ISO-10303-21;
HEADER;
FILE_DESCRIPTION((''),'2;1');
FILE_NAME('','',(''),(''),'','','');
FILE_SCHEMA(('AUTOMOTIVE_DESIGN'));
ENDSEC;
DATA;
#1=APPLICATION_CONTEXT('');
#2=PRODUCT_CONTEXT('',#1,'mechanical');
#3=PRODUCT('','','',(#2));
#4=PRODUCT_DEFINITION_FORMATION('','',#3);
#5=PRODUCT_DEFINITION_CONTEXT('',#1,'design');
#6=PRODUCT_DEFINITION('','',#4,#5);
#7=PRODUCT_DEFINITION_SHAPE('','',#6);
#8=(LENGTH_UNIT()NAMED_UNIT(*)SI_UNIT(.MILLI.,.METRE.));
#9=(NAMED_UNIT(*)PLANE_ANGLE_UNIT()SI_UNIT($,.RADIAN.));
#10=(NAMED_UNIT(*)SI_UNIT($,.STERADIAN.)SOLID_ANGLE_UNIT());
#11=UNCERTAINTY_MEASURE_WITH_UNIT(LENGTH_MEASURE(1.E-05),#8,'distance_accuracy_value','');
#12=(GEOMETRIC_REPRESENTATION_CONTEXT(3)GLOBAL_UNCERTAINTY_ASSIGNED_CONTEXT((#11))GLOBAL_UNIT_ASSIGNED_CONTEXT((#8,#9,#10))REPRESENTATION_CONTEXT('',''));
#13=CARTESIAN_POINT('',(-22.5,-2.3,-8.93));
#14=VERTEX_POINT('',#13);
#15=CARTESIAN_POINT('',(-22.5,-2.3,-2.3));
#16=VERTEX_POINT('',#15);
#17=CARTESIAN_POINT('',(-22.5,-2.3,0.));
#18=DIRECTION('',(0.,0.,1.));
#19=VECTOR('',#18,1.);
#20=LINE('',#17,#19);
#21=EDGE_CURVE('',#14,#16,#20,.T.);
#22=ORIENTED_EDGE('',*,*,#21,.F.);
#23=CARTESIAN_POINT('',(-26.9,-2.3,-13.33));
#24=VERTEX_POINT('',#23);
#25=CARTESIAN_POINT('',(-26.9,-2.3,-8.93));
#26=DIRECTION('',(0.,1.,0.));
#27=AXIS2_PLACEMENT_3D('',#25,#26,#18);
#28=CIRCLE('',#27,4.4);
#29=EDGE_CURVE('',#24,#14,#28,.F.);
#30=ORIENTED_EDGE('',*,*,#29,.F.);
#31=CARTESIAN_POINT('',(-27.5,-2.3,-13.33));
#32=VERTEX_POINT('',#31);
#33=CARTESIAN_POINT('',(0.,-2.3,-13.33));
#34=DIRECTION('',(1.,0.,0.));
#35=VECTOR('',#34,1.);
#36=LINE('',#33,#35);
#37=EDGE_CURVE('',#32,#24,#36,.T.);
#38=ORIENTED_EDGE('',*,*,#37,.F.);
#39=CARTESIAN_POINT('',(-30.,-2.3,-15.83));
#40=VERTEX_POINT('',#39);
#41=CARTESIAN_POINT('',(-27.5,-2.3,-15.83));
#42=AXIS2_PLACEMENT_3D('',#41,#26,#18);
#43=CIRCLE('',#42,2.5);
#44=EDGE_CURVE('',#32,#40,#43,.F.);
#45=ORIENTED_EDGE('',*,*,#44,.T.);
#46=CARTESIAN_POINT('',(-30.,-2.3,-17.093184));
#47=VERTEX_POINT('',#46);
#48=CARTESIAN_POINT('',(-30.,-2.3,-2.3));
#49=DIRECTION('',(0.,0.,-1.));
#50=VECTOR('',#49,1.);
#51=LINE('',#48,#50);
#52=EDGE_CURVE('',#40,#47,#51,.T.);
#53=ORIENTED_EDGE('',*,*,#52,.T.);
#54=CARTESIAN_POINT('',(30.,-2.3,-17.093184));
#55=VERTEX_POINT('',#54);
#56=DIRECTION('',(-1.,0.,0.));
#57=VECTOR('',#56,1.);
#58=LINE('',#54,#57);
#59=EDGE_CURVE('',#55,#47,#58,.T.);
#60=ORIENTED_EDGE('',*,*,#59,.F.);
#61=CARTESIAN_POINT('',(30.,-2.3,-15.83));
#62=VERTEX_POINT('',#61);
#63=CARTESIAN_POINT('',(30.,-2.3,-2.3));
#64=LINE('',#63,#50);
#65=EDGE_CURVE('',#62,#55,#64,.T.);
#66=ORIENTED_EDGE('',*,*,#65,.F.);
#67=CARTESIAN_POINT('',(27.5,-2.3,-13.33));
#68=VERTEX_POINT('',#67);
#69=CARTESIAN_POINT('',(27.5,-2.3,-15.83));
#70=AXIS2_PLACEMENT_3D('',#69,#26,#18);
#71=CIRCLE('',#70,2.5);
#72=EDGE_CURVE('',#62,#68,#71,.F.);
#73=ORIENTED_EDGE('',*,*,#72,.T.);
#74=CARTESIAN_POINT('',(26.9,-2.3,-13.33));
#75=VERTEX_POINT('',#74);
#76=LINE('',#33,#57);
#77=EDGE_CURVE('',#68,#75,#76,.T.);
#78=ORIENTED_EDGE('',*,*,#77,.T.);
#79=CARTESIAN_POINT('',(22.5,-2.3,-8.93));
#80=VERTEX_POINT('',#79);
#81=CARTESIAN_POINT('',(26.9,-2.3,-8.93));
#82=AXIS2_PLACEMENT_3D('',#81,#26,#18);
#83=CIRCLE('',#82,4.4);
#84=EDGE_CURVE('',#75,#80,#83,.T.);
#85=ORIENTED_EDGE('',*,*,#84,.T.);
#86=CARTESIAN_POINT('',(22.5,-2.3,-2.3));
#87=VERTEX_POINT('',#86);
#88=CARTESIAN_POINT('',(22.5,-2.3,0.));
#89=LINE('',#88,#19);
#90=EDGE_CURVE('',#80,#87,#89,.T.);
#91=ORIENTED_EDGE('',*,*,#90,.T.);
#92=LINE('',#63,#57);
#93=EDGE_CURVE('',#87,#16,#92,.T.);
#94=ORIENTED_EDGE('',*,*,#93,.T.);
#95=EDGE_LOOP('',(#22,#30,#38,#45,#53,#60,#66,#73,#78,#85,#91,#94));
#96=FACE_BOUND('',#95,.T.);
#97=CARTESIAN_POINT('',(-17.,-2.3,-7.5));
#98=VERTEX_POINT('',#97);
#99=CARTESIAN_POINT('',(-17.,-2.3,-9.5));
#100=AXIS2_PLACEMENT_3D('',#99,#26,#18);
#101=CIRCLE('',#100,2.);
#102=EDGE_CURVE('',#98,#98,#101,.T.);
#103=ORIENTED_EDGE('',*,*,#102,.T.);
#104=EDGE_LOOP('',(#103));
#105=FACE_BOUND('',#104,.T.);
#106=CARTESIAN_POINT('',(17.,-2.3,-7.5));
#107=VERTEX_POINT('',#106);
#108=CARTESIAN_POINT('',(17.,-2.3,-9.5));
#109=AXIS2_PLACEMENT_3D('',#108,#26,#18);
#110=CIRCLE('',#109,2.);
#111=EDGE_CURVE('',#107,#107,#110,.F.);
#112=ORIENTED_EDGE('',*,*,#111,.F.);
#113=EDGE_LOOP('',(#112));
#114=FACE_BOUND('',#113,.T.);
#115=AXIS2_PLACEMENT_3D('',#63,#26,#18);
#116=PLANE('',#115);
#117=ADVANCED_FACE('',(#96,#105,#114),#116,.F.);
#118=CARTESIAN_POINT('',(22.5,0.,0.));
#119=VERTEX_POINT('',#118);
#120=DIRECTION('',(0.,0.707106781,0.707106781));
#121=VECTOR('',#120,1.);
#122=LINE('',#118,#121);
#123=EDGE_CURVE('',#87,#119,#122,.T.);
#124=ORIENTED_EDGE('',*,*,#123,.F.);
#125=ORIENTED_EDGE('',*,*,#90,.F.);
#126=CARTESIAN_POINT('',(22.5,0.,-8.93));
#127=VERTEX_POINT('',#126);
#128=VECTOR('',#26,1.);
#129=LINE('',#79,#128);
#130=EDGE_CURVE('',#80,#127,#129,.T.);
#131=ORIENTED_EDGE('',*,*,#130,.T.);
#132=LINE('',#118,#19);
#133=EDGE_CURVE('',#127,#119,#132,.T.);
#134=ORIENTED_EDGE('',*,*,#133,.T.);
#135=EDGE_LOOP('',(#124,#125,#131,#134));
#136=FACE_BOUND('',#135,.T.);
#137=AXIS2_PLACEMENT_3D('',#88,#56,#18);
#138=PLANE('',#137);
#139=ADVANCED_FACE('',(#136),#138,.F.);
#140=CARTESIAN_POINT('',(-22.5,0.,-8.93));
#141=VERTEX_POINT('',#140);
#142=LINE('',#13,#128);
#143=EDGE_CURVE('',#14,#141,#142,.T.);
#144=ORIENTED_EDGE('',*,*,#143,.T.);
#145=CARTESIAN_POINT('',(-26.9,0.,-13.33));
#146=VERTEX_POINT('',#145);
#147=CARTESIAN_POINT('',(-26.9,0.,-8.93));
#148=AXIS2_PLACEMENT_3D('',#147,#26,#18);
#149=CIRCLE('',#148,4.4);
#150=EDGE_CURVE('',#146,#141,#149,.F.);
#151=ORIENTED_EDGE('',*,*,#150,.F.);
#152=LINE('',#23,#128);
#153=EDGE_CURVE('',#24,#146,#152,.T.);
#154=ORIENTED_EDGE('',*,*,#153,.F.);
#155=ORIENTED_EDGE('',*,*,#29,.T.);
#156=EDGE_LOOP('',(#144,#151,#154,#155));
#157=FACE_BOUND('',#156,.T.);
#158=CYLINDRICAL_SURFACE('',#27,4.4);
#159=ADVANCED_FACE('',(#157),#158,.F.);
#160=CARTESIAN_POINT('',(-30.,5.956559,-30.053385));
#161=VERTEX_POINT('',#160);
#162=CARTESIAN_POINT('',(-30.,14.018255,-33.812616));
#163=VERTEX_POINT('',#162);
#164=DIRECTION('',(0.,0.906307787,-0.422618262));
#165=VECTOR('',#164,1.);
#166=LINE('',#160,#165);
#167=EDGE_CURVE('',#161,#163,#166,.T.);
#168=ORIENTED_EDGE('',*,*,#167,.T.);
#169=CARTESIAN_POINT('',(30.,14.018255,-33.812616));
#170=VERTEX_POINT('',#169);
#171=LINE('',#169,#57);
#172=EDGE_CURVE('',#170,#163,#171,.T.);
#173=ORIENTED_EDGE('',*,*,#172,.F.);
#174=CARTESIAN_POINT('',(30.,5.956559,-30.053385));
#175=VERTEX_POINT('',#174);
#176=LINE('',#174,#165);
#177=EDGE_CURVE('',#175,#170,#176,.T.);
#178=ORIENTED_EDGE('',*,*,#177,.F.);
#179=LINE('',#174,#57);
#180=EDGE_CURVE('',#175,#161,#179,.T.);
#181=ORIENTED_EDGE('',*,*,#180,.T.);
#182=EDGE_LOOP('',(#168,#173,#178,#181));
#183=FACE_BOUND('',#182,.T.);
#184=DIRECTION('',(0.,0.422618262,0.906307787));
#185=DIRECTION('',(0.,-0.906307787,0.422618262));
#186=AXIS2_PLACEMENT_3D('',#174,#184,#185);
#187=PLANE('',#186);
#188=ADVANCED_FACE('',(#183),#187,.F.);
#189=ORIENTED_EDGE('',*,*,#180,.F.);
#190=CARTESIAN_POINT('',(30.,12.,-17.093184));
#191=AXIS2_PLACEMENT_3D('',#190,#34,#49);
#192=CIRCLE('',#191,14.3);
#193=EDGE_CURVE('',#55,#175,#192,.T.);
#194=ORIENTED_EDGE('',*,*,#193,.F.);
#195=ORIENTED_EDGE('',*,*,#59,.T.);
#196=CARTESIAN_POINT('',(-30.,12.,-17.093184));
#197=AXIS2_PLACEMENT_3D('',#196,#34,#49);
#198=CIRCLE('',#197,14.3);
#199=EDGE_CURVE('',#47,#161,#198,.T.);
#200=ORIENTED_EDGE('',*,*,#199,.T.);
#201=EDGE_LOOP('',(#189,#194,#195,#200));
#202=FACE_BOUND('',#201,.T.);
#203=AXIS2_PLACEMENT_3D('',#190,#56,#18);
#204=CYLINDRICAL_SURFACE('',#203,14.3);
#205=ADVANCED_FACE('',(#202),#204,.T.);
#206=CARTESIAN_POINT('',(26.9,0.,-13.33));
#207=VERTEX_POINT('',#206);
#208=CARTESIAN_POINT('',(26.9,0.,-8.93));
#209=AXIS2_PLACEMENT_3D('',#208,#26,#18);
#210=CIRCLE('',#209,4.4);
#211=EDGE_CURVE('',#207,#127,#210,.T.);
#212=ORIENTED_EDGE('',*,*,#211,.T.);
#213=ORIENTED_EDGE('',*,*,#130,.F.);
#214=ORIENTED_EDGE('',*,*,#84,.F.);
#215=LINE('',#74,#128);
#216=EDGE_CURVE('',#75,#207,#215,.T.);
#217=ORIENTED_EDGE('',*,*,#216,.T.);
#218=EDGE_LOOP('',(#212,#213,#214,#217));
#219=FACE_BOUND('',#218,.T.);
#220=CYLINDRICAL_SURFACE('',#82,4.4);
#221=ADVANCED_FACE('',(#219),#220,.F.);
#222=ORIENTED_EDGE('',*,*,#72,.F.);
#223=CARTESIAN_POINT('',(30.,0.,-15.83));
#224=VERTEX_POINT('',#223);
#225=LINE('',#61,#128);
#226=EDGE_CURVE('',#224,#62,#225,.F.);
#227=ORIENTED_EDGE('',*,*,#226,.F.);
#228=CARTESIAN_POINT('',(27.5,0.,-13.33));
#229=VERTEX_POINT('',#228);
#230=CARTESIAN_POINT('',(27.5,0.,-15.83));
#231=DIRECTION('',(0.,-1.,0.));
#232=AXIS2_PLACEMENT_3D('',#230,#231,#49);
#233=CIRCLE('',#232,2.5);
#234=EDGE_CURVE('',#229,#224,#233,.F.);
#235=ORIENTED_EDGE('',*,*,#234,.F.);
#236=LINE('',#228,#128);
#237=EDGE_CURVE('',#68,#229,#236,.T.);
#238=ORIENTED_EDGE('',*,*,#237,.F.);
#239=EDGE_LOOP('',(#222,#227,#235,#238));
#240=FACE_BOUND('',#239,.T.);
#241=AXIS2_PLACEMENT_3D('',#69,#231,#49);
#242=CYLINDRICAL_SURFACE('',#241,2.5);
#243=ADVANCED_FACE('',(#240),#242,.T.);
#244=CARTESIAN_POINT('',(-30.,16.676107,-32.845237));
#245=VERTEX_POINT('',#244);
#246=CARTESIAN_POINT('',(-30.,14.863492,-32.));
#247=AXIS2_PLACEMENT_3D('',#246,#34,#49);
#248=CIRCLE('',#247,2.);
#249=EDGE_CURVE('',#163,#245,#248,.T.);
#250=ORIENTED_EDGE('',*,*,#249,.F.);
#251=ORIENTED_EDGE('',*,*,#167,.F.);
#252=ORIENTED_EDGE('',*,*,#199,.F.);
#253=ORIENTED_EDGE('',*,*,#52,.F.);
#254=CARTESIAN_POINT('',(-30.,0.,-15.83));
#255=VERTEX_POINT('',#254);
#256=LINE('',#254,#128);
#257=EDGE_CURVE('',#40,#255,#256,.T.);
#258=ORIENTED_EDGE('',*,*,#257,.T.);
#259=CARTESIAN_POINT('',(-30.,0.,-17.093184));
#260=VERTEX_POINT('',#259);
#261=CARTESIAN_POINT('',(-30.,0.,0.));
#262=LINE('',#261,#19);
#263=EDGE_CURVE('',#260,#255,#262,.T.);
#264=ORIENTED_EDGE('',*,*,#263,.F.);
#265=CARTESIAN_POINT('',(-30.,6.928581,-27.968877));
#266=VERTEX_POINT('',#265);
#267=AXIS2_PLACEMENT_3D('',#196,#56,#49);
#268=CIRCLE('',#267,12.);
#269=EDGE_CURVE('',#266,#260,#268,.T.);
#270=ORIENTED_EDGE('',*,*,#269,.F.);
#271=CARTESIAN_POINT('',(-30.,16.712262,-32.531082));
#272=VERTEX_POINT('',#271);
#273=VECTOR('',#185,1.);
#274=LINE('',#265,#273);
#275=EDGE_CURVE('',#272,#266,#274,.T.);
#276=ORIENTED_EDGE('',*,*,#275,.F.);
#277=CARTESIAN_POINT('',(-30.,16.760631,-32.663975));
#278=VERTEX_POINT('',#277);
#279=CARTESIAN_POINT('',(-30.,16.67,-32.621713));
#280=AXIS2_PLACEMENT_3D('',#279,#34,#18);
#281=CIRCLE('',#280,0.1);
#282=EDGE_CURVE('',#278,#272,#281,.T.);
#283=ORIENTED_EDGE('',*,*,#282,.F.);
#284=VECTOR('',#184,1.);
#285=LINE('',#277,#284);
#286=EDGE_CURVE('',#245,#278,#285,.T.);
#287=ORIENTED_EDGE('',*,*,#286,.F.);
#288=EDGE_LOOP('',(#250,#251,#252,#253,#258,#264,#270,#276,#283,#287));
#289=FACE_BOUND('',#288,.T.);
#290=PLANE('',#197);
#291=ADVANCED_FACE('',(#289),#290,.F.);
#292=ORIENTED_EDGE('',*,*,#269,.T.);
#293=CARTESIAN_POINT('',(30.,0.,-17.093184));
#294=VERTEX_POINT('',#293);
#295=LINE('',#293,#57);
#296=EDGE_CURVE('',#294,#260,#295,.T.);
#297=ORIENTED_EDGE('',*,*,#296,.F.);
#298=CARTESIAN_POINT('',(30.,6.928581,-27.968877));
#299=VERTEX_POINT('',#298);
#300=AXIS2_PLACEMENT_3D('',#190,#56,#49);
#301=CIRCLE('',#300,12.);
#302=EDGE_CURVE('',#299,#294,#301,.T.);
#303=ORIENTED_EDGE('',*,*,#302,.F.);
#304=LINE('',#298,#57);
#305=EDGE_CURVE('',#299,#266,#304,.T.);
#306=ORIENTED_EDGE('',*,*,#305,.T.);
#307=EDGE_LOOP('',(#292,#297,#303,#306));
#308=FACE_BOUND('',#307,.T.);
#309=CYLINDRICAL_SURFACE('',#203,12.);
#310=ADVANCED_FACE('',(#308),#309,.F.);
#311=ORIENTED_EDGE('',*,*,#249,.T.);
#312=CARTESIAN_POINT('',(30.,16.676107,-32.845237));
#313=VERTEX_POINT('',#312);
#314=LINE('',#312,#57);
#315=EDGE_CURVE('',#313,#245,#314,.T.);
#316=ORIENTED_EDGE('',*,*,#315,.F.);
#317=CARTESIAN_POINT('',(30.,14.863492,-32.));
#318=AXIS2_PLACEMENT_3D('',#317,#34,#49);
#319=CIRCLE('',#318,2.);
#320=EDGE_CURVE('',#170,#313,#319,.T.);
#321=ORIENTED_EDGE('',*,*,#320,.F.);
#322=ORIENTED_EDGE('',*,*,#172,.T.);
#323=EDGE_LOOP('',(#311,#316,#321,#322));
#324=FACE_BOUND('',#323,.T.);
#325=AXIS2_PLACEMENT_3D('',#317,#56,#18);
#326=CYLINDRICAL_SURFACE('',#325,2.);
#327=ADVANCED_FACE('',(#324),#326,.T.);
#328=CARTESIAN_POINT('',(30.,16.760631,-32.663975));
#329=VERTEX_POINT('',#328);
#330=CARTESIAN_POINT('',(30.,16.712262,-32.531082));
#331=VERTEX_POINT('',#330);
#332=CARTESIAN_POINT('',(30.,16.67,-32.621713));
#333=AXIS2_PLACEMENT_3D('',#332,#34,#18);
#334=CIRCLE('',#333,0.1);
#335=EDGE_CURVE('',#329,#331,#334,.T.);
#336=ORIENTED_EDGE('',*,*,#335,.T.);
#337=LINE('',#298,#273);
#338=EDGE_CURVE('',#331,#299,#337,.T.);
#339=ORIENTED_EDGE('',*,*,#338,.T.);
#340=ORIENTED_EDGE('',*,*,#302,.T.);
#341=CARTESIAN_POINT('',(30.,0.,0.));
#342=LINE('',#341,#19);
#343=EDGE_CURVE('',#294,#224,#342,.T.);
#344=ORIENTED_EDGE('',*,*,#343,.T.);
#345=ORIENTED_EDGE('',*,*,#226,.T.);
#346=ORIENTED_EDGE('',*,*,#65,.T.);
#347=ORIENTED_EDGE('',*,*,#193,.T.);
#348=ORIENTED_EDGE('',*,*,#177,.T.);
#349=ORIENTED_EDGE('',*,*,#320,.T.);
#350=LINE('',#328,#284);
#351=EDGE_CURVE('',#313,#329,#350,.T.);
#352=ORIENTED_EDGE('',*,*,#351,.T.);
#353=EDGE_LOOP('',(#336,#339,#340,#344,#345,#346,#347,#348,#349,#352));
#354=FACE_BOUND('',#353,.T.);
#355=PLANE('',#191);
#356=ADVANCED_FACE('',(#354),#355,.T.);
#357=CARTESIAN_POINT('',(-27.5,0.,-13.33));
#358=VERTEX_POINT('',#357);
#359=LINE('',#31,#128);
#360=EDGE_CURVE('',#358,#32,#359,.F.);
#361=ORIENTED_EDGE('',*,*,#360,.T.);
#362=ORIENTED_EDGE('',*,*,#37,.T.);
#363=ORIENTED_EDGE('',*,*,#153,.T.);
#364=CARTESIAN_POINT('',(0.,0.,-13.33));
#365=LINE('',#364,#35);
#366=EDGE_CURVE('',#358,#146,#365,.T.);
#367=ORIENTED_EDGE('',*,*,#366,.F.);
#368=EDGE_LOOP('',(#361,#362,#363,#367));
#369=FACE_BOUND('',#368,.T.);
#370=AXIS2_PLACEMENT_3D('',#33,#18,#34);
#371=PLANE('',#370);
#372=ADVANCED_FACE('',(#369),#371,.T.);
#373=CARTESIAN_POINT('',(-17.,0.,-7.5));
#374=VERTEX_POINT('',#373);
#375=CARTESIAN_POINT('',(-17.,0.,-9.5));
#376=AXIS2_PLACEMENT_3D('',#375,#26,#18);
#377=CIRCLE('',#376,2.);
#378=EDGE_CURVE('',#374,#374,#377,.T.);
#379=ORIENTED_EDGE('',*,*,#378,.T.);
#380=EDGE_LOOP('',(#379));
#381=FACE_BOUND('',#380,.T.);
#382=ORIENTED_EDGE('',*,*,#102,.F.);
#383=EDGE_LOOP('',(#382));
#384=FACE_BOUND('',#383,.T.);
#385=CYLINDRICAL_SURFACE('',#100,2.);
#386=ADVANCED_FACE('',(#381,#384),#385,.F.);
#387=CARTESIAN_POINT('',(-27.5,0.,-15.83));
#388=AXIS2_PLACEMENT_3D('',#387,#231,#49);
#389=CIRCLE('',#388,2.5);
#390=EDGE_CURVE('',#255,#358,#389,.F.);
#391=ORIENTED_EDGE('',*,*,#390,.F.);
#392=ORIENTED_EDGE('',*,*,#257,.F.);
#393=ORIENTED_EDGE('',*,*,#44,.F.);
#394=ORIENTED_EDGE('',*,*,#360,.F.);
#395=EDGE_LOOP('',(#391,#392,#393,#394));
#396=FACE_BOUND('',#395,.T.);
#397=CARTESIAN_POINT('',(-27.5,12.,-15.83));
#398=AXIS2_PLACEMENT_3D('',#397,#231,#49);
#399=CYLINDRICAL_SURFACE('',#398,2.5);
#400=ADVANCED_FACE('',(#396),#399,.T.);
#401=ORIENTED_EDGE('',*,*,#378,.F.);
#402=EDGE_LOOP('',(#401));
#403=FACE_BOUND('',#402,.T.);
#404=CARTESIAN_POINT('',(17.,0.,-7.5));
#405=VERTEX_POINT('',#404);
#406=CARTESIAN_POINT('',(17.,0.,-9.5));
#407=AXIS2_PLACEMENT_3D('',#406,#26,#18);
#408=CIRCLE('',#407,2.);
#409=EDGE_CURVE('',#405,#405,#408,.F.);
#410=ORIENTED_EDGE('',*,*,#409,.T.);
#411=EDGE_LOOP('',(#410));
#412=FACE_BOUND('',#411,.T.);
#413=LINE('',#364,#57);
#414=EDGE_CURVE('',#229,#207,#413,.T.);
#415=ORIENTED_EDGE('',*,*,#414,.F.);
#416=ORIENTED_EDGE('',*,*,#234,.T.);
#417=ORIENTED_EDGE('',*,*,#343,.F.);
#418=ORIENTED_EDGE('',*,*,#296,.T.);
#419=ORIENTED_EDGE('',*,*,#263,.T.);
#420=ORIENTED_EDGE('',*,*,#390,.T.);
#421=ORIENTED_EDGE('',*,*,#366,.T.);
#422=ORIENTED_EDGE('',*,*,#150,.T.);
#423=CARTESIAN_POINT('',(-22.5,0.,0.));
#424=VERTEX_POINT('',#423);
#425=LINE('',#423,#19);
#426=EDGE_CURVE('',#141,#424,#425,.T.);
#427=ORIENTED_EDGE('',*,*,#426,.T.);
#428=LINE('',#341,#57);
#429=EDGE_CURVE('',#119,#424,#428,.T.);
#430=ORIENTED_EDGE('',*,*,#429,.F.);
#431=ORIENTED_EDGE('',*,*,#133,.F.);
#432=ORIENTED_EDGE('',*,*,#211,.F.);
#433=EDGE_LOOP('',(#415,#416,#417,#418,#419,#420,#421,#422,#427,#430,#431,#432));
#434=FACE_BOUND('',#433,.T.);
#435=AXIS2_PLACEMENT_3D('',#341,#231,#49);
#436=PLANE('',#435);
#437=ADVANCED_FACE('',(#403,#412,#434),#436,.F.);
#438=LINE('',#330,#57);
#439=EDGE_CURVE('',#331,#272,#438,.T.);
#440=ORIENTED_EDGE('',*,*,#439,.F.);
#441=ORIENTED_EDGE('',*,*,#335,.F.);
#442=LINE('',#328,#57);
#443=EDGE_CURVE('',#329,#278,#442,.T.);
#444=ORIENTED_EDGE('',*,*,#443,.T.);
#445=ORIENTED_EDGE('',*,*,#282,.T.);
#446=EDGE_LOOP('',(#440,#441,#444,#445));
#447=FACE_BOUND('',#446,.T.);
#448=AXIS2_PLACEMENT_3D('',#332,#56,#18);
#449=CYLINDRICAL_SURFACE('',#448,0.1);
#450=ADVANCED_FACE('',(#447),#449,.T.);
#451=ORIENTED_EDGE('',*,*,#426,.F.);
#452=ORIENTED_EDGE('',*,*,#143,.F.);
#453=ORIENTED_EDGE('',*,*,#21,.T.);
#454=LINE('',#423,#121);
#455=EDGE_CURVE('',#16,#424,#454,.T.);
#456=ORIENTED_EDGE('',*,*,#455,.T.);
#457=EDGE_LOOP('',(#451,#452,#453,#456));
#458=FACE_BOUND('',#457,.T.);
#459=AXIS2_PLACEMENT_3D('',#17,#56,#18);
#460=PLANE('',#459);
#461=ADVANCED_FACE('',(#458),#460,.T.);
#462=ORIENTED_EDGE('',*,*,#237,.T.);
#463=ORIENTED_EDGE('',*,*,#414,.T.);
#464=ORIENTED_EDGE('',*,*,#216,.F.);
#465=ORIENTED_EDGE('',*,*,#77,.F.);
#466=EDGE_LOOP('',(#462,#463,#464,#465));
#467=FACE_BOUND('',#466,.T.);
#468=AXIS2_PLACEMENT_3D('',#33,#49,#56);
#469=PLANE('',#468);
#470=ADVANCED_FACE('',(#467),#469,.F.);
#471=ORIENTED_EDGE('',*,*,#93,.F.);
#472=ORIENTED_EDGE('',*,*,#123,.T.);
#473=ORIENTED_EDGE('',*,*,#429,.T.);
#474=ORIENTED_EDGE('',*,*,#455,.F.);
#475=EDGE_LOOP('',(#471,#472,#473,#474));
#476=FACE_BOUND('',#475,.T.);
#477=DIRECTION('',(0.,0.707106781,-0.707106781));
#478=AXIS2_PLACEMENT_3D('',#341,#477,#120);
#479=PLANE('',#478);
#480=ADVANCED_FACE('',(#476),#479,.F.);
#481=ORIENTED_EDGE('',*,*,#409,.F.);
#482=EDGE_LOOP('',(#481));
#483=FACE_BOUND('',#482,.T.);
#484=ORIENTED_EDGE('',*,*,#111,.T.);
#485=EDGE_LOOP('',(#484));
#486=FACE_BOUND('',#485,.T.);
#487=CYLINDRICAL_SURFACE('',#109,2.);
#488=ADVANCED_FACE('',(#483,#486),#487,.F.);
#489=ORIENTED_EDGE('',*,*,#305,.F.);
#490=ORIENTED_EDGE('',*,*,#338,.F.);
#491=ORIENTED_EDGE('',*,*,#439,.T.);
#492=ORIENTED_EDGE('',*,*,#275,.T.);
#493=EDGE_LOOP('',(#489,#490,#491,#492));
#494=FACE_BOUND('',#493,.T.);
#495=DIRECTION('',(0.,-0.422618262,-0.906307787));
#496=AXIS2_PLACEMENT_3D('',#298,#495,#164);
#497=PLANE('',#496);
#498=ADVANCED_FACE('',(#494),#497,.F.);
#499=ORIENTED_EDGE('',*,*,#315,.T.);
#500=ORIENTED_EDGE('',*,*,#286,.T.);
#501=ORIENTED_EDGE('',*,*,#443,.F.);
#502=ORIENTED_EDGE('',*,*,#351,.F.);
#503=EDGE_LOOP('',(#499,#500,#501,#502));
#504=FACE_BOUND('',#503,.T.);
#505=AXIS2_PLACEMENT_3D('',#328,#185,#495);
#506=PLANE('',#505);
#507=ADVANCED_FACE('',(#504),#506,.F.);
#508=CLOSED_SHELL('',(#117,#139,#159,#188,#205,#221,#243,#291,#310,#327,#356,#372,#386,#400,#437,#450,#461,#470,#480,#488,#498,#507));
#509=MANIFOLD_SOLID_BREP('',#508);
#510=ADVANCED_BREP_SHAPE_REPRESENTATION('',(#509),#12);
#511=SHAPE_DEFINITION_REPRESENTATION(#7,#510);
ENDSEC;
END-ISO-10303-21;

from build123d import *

# Parameters (mm, degrees)
BOSS_EXTRUDE1_DEPTH = 30
SKETCH3_R           = 2
CUT_EXTRUDE1_DEPTH  = 49.344936653
FILLET1_R           = 2.5


with BuildPart() as part:
    # Sketch2 → Boss-Extrude1 (new, symmetric)
    with BuildSketch(Plane(origin=(0, 0, 0), x_dir=(0, 0, -1), z_dir=(1, 0, 0))):
        with BuildLine():
            Line((0, 0), (17.093183557, 0))
            ThreePointArc((17.093183557, 0), (23.540778857, 1.87930265), (27.968877001, 6.928580859))
            Line((27.968877001, 6.928580859), (32.531082361, 16.712261826))
            ThreePointArc((32.531082361, 16.712261826), (32.587511126, 16.763969262), (32.663974966, 16.760630779))
            Line((32.663974966, 16.760630779), (32.845236523, 16.676107126))
            ThreePointArc((32.845236523, 16.676107126), (33.879385242, 15.547531839), (33.812615574, 14.018255029))
            Line((33.812615574, 14.018255029), (30.053384911, 5.956558857))
            ThreePointArc((30.053384911, 5.956558857), (24.776567956, -0.060497675), (17.093183557, -2.3))
            Line((17.093183557, -2.3), (2.3, -2.3))
            Line((2.3, -2.3), (0, 0))
        make_face()
    extrude(amount=BOSS_EXTRUDE1_DEPTH, both=True)

    # Sketch3 → Cut-Extrude1 (cut, through all)
    with BuildSketch(Plane(origin=(0, 0, 0), x_dir=(1, 0, 0), z_dir=(0, 1, 0))):
        with BuildLine():
            Line((-26.9, 13.33), (-30, 13.33))
            Line((-30, 13.33), (-30, 0))
            Line((-30, 0), (-22.5, 0))
            Line((-22.5, 0), (-22.5, 8.93))
            ThreePointArc((-22.5, 8.93), (-23.788730163, 12.041269837), (-26.9, 13.33))
        make_face()
        with Locations(Location((-17, 9.5, 0), (0, 0, 270))):
            Circle(SKETCH3_R)
        with Locations(Location((17, 9.5, 0), (0, 0, 270))):
            Circle(SKETCH3_R)
        with BuildLine():
            Line((30, 0), (30, 13.33))
            Line((30, 13.33), (26.9, 13.33))
            ThreePointArc((26.9, 13.33), (23.788730163, 12.041269837), (22.5, 8.93))
            Line((22.5, 8.93), (22.5, 0))
            Line((22.5, 0), (30, 0))
        make_face()
    extrude(amount=-CUT_EXTRUDE1_DEPTH, mode=Mode.SUBTRACT)

    # Fillet1
    fillet1_edges = [part.edges().sort_by_distance(p)[0] for p in [
        (-30, -1.15, -13.33),
        (30, -1.15, -13.33),
    ]]
    fillet(fillet1_edges, radius=FILLET1_R)


solid = part.part
